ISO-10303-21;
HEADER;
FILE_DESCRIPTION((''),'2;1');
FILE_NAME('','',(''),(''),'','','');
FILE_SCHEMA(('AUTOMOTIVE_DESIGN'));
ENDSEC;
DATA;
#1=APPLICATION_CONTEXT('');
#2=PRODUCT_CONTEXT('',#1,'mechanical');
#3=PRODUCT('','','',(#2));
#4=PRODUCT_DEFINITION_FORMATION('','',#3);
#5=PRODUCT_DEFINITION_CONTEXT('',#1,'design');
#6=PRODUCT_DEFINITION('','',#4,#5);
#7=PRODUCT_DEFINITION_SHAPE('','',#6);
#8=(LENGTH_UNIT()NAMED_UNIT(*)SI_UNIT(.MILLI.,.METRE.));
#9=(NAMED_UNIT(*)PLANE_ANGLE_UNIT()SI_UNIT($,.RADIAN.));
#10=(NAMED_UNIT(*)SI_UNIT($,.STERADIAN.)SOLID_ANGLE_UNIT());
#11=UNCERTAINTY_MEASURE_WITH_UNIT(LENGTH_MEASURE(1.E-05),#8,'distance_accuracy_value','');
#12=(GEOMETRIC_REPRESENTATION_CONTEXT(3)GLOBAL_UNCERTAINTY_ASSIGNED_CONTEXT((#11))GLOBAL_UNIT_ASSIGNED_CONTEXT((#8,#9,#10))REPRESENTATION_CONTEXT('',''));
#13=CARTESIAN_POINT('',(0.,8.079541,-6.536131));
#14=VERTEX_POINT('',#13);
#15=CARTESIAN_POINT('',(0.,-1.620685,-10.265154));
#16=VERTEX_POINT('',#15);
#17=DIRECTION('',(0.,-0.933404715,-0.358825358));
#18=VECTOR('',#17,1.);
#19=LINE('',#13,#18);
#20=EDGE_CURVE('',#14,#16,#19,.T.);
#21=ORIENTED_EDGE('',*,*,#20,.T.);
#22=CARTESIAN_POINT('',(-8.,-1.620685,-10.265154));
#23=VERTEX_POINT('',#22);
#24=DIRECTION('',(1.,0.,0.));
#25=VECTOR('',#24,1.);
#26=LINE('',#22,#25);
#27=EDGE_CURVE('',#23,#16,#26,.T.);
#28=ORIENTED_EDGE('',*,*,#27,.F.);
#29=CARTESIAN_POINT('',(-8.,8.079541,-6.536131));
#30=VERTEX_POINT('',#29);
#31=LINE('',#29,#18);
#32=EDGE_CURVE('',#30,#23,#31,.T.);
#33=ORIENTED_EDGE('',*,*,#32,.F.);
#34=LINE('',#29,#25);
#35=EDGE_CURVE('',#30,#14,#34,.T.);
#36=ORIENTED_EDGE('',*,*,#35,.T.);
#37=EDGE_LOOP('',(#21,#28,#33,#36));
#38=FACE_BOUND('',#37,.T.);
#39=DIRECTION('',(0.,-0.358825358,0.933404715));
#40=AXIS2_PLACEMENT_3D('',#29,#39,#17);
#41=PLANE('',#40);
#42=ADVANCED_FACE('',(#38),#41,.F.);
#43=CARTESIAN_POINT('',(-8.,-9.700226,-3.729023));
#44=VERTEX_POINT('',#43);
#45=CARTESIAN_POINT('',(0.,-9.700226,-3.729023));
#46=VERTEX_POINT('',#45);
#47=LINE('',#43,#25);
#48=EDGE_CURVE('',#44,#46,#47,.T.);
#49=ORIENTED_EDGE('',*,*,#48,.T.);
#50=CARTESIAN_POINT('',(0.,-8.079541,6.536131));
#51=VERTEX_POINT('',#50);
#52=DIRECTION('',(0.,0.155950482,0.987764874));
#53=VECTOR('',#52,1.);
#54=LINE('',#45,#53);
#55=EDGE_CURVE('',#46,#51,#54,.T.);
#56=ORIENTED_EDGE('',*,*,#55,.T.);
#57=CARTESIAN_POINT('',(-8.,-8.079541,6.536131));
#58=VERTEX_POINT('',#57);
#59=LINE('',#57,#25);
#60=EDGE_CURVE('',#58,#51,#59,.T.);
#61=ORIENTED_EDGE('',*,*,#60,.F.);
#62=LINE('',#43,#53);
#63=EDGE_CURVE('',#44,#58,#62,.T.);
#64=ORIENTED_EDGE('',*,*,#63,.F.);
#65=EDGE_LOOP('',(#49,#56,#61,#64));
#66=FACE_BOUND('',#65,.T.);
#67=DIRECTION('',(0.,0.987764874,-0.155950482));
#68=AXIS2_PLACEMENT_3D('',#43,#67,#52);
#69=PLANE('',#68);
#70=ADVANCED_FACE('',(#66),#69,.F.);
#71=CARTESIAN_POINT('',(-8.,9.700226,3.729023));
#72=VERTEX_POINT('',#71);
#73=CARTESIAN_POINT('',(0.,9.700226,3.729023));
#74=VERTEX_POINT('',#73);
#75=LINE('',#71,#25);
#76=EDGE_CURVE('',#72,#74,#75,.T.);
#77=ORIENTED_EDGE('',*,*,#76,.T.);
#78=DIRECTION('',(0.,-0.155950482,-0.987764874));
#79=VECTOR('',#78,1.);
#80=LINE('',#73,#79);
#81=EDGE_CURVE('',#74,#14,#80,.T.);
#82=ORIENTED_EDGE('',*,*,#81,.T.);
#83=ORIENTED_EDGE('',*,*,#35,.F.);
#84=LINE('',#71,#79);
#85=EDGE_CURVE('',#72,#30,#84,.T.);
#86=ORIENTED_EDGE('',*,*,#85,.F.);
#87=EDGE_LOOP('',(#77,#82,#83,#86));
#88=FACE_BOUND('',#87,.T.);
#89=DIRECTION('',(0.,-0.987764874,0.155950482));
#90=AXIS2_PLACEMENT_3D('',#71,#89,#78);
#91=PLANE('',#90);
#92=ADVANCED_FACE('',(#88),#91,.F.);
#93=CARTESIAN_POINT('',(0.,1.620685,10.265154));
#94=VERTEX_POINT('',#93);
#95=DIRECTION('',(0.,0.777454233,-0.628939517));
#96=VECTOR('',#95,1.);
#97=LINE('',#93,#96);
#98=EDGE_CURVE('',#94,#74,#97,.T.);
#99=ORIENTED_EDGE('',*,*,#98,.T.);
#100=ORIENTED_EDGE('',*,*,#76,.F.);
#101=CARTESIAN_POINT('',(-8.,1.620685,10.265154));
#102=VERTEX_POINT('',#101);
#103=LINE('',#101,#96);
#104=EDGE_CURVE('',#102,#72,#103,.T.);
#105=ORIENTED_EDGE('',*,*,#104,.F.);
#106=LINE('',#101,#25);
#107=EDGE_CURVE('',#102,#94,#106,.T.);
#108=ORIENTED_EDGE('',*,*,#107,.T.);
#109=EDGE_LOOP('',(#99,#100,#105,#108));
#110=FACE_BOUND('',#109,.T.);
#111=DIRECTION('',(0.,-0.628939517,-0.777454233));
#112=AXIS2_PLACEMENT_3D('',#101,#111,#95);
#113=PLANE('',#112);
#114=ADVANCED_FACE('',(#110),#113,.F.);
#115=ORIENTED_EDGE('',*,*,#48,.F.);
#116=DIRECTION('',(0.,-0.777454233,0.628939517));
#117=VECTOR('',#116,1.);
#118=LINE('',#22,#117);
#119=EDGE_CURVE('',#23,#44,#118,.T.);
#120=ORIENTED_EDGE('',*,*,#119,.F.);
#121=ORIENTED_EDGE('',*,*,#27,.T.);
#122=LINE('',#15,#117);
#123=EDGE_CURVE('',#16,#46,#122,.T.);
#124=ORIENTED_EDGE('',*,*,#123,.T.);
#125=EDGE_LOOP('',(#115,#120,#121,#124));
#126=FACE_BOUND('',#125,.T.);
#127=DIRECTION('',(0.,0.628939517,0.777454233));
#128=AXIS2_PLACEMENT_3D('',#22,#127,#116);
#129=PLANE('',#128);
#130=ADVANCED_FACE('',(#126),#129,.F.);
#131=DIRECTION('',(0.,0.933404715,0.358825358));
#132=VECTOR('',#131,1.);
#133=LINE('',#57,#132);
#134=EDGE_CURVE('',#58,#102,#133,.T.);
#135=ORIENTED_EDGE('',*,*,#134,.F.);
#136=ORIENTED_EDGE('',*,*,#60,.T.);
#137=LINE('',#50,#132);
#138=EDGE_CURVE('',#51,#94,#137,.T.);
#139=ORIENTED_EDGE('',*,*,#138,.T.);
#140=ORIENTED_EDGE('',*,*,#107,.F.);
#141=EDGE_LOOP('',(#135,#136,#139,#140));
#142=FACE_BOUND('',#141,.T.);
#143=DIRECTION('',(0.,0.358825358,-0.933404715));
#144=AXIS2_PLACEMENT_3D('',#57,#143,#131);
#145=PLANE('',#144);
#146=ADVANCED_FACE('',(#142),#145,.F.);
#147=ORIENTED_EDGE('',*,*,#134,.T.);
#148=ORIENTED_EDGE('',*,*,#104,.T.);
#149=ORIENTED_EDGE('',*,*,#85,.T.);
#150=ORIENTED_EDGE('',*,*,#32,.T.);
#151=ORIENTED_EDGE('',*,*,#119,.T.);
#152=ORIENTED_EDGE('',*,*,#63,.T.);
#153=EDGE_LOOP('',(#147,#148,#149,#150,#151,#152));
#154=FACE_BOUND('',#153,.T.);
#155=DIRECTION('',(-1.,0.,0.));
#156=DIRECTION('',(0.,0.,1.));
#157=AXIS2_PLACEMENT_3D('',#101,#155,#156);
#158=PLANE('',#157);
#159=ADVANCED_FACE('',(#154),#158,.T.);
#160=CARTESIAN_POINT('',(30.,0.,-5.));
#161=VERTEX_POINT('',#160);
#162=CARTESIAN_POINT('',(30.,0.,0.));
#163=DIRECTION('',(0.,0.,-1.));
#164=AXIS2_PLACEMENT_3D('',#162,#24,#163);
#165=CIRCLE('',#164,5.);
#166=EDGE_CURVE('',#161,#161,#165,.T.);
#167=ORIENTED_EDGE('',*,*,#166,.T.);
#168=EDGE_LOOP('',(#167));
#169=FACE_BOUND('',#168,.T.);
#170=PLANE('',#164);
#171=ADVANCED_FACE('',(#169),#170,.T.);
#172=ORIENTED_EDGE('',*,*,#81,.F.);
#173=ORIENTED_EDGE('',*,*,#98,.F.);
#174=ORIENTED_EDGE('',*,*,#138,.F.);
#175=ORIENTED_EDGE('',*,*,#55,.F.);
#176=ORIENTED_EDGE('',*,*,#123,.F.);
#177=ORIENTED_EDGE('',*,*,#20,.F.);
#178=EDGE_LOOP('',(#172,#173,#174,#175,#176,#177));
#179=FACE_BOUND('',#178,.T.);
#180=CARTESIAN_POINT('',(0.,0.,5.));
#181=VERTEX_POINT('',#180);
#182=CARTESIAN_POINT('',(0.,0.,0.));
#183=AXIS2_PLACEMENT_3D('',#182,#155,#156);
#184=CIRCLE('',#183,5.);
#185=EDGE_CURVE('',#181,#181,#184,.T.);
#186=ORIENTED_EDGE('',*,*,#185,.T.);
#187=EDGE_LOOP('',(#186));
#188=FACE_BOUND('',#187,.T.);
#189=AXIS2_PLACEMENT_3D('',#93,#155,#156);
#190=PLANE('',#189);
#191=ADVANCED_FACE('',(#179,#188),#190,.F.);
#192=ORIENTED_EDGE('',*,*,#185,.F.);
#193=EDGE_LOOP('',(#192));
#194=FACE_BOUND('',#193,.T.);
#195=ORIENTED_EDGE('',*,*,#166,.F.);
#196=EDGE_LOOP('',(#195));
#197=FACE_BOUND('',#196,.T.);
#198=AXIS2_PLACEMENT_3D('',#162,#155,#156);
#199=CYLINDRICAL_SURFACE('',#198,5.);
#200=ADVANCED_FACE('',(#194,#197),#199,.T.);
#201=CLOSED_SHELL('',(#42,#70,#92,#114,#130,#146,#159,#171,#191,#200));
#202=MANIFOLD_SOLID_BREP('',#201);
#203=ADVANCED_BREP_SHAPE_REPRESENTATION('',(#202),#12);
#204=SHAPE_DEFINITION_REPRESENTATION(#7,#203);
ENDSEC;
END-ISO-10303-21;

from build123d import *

# Parameters (mm, degrees)
SKETCH_1_R      = 5
EXTRUDE_1_DEPTH = 30
EXTRUDE_2_DEPTH = 8


with BuildPart() as part:
    # Эскиз1 → Вытянуть1 (new body)
    with BuildSketch(Plane(origin=(0, 0, 0), x_dir=(0, 0, -1), z_dir=(1, 0, 0))):
        Circle(SKETCH_1_R)
    extrude(amount=EXTRUDE_1_DEPTH)

    # Эскиз2 → Вытянуть2 (add)
    with BuildSketch(Plane.ZY):
        Polygon((10.26515369, 1.620684952), (3.729022505, 9.700226346), (-6.536131185, 8.079541393), (-10.26515369, -1.620684952), (-3.729022505, -9.700226346), (6.536131185, -8.079541393), align=None)
    extrude(amount=EXTRUDE_2_DEPTH)


solid = part.part
